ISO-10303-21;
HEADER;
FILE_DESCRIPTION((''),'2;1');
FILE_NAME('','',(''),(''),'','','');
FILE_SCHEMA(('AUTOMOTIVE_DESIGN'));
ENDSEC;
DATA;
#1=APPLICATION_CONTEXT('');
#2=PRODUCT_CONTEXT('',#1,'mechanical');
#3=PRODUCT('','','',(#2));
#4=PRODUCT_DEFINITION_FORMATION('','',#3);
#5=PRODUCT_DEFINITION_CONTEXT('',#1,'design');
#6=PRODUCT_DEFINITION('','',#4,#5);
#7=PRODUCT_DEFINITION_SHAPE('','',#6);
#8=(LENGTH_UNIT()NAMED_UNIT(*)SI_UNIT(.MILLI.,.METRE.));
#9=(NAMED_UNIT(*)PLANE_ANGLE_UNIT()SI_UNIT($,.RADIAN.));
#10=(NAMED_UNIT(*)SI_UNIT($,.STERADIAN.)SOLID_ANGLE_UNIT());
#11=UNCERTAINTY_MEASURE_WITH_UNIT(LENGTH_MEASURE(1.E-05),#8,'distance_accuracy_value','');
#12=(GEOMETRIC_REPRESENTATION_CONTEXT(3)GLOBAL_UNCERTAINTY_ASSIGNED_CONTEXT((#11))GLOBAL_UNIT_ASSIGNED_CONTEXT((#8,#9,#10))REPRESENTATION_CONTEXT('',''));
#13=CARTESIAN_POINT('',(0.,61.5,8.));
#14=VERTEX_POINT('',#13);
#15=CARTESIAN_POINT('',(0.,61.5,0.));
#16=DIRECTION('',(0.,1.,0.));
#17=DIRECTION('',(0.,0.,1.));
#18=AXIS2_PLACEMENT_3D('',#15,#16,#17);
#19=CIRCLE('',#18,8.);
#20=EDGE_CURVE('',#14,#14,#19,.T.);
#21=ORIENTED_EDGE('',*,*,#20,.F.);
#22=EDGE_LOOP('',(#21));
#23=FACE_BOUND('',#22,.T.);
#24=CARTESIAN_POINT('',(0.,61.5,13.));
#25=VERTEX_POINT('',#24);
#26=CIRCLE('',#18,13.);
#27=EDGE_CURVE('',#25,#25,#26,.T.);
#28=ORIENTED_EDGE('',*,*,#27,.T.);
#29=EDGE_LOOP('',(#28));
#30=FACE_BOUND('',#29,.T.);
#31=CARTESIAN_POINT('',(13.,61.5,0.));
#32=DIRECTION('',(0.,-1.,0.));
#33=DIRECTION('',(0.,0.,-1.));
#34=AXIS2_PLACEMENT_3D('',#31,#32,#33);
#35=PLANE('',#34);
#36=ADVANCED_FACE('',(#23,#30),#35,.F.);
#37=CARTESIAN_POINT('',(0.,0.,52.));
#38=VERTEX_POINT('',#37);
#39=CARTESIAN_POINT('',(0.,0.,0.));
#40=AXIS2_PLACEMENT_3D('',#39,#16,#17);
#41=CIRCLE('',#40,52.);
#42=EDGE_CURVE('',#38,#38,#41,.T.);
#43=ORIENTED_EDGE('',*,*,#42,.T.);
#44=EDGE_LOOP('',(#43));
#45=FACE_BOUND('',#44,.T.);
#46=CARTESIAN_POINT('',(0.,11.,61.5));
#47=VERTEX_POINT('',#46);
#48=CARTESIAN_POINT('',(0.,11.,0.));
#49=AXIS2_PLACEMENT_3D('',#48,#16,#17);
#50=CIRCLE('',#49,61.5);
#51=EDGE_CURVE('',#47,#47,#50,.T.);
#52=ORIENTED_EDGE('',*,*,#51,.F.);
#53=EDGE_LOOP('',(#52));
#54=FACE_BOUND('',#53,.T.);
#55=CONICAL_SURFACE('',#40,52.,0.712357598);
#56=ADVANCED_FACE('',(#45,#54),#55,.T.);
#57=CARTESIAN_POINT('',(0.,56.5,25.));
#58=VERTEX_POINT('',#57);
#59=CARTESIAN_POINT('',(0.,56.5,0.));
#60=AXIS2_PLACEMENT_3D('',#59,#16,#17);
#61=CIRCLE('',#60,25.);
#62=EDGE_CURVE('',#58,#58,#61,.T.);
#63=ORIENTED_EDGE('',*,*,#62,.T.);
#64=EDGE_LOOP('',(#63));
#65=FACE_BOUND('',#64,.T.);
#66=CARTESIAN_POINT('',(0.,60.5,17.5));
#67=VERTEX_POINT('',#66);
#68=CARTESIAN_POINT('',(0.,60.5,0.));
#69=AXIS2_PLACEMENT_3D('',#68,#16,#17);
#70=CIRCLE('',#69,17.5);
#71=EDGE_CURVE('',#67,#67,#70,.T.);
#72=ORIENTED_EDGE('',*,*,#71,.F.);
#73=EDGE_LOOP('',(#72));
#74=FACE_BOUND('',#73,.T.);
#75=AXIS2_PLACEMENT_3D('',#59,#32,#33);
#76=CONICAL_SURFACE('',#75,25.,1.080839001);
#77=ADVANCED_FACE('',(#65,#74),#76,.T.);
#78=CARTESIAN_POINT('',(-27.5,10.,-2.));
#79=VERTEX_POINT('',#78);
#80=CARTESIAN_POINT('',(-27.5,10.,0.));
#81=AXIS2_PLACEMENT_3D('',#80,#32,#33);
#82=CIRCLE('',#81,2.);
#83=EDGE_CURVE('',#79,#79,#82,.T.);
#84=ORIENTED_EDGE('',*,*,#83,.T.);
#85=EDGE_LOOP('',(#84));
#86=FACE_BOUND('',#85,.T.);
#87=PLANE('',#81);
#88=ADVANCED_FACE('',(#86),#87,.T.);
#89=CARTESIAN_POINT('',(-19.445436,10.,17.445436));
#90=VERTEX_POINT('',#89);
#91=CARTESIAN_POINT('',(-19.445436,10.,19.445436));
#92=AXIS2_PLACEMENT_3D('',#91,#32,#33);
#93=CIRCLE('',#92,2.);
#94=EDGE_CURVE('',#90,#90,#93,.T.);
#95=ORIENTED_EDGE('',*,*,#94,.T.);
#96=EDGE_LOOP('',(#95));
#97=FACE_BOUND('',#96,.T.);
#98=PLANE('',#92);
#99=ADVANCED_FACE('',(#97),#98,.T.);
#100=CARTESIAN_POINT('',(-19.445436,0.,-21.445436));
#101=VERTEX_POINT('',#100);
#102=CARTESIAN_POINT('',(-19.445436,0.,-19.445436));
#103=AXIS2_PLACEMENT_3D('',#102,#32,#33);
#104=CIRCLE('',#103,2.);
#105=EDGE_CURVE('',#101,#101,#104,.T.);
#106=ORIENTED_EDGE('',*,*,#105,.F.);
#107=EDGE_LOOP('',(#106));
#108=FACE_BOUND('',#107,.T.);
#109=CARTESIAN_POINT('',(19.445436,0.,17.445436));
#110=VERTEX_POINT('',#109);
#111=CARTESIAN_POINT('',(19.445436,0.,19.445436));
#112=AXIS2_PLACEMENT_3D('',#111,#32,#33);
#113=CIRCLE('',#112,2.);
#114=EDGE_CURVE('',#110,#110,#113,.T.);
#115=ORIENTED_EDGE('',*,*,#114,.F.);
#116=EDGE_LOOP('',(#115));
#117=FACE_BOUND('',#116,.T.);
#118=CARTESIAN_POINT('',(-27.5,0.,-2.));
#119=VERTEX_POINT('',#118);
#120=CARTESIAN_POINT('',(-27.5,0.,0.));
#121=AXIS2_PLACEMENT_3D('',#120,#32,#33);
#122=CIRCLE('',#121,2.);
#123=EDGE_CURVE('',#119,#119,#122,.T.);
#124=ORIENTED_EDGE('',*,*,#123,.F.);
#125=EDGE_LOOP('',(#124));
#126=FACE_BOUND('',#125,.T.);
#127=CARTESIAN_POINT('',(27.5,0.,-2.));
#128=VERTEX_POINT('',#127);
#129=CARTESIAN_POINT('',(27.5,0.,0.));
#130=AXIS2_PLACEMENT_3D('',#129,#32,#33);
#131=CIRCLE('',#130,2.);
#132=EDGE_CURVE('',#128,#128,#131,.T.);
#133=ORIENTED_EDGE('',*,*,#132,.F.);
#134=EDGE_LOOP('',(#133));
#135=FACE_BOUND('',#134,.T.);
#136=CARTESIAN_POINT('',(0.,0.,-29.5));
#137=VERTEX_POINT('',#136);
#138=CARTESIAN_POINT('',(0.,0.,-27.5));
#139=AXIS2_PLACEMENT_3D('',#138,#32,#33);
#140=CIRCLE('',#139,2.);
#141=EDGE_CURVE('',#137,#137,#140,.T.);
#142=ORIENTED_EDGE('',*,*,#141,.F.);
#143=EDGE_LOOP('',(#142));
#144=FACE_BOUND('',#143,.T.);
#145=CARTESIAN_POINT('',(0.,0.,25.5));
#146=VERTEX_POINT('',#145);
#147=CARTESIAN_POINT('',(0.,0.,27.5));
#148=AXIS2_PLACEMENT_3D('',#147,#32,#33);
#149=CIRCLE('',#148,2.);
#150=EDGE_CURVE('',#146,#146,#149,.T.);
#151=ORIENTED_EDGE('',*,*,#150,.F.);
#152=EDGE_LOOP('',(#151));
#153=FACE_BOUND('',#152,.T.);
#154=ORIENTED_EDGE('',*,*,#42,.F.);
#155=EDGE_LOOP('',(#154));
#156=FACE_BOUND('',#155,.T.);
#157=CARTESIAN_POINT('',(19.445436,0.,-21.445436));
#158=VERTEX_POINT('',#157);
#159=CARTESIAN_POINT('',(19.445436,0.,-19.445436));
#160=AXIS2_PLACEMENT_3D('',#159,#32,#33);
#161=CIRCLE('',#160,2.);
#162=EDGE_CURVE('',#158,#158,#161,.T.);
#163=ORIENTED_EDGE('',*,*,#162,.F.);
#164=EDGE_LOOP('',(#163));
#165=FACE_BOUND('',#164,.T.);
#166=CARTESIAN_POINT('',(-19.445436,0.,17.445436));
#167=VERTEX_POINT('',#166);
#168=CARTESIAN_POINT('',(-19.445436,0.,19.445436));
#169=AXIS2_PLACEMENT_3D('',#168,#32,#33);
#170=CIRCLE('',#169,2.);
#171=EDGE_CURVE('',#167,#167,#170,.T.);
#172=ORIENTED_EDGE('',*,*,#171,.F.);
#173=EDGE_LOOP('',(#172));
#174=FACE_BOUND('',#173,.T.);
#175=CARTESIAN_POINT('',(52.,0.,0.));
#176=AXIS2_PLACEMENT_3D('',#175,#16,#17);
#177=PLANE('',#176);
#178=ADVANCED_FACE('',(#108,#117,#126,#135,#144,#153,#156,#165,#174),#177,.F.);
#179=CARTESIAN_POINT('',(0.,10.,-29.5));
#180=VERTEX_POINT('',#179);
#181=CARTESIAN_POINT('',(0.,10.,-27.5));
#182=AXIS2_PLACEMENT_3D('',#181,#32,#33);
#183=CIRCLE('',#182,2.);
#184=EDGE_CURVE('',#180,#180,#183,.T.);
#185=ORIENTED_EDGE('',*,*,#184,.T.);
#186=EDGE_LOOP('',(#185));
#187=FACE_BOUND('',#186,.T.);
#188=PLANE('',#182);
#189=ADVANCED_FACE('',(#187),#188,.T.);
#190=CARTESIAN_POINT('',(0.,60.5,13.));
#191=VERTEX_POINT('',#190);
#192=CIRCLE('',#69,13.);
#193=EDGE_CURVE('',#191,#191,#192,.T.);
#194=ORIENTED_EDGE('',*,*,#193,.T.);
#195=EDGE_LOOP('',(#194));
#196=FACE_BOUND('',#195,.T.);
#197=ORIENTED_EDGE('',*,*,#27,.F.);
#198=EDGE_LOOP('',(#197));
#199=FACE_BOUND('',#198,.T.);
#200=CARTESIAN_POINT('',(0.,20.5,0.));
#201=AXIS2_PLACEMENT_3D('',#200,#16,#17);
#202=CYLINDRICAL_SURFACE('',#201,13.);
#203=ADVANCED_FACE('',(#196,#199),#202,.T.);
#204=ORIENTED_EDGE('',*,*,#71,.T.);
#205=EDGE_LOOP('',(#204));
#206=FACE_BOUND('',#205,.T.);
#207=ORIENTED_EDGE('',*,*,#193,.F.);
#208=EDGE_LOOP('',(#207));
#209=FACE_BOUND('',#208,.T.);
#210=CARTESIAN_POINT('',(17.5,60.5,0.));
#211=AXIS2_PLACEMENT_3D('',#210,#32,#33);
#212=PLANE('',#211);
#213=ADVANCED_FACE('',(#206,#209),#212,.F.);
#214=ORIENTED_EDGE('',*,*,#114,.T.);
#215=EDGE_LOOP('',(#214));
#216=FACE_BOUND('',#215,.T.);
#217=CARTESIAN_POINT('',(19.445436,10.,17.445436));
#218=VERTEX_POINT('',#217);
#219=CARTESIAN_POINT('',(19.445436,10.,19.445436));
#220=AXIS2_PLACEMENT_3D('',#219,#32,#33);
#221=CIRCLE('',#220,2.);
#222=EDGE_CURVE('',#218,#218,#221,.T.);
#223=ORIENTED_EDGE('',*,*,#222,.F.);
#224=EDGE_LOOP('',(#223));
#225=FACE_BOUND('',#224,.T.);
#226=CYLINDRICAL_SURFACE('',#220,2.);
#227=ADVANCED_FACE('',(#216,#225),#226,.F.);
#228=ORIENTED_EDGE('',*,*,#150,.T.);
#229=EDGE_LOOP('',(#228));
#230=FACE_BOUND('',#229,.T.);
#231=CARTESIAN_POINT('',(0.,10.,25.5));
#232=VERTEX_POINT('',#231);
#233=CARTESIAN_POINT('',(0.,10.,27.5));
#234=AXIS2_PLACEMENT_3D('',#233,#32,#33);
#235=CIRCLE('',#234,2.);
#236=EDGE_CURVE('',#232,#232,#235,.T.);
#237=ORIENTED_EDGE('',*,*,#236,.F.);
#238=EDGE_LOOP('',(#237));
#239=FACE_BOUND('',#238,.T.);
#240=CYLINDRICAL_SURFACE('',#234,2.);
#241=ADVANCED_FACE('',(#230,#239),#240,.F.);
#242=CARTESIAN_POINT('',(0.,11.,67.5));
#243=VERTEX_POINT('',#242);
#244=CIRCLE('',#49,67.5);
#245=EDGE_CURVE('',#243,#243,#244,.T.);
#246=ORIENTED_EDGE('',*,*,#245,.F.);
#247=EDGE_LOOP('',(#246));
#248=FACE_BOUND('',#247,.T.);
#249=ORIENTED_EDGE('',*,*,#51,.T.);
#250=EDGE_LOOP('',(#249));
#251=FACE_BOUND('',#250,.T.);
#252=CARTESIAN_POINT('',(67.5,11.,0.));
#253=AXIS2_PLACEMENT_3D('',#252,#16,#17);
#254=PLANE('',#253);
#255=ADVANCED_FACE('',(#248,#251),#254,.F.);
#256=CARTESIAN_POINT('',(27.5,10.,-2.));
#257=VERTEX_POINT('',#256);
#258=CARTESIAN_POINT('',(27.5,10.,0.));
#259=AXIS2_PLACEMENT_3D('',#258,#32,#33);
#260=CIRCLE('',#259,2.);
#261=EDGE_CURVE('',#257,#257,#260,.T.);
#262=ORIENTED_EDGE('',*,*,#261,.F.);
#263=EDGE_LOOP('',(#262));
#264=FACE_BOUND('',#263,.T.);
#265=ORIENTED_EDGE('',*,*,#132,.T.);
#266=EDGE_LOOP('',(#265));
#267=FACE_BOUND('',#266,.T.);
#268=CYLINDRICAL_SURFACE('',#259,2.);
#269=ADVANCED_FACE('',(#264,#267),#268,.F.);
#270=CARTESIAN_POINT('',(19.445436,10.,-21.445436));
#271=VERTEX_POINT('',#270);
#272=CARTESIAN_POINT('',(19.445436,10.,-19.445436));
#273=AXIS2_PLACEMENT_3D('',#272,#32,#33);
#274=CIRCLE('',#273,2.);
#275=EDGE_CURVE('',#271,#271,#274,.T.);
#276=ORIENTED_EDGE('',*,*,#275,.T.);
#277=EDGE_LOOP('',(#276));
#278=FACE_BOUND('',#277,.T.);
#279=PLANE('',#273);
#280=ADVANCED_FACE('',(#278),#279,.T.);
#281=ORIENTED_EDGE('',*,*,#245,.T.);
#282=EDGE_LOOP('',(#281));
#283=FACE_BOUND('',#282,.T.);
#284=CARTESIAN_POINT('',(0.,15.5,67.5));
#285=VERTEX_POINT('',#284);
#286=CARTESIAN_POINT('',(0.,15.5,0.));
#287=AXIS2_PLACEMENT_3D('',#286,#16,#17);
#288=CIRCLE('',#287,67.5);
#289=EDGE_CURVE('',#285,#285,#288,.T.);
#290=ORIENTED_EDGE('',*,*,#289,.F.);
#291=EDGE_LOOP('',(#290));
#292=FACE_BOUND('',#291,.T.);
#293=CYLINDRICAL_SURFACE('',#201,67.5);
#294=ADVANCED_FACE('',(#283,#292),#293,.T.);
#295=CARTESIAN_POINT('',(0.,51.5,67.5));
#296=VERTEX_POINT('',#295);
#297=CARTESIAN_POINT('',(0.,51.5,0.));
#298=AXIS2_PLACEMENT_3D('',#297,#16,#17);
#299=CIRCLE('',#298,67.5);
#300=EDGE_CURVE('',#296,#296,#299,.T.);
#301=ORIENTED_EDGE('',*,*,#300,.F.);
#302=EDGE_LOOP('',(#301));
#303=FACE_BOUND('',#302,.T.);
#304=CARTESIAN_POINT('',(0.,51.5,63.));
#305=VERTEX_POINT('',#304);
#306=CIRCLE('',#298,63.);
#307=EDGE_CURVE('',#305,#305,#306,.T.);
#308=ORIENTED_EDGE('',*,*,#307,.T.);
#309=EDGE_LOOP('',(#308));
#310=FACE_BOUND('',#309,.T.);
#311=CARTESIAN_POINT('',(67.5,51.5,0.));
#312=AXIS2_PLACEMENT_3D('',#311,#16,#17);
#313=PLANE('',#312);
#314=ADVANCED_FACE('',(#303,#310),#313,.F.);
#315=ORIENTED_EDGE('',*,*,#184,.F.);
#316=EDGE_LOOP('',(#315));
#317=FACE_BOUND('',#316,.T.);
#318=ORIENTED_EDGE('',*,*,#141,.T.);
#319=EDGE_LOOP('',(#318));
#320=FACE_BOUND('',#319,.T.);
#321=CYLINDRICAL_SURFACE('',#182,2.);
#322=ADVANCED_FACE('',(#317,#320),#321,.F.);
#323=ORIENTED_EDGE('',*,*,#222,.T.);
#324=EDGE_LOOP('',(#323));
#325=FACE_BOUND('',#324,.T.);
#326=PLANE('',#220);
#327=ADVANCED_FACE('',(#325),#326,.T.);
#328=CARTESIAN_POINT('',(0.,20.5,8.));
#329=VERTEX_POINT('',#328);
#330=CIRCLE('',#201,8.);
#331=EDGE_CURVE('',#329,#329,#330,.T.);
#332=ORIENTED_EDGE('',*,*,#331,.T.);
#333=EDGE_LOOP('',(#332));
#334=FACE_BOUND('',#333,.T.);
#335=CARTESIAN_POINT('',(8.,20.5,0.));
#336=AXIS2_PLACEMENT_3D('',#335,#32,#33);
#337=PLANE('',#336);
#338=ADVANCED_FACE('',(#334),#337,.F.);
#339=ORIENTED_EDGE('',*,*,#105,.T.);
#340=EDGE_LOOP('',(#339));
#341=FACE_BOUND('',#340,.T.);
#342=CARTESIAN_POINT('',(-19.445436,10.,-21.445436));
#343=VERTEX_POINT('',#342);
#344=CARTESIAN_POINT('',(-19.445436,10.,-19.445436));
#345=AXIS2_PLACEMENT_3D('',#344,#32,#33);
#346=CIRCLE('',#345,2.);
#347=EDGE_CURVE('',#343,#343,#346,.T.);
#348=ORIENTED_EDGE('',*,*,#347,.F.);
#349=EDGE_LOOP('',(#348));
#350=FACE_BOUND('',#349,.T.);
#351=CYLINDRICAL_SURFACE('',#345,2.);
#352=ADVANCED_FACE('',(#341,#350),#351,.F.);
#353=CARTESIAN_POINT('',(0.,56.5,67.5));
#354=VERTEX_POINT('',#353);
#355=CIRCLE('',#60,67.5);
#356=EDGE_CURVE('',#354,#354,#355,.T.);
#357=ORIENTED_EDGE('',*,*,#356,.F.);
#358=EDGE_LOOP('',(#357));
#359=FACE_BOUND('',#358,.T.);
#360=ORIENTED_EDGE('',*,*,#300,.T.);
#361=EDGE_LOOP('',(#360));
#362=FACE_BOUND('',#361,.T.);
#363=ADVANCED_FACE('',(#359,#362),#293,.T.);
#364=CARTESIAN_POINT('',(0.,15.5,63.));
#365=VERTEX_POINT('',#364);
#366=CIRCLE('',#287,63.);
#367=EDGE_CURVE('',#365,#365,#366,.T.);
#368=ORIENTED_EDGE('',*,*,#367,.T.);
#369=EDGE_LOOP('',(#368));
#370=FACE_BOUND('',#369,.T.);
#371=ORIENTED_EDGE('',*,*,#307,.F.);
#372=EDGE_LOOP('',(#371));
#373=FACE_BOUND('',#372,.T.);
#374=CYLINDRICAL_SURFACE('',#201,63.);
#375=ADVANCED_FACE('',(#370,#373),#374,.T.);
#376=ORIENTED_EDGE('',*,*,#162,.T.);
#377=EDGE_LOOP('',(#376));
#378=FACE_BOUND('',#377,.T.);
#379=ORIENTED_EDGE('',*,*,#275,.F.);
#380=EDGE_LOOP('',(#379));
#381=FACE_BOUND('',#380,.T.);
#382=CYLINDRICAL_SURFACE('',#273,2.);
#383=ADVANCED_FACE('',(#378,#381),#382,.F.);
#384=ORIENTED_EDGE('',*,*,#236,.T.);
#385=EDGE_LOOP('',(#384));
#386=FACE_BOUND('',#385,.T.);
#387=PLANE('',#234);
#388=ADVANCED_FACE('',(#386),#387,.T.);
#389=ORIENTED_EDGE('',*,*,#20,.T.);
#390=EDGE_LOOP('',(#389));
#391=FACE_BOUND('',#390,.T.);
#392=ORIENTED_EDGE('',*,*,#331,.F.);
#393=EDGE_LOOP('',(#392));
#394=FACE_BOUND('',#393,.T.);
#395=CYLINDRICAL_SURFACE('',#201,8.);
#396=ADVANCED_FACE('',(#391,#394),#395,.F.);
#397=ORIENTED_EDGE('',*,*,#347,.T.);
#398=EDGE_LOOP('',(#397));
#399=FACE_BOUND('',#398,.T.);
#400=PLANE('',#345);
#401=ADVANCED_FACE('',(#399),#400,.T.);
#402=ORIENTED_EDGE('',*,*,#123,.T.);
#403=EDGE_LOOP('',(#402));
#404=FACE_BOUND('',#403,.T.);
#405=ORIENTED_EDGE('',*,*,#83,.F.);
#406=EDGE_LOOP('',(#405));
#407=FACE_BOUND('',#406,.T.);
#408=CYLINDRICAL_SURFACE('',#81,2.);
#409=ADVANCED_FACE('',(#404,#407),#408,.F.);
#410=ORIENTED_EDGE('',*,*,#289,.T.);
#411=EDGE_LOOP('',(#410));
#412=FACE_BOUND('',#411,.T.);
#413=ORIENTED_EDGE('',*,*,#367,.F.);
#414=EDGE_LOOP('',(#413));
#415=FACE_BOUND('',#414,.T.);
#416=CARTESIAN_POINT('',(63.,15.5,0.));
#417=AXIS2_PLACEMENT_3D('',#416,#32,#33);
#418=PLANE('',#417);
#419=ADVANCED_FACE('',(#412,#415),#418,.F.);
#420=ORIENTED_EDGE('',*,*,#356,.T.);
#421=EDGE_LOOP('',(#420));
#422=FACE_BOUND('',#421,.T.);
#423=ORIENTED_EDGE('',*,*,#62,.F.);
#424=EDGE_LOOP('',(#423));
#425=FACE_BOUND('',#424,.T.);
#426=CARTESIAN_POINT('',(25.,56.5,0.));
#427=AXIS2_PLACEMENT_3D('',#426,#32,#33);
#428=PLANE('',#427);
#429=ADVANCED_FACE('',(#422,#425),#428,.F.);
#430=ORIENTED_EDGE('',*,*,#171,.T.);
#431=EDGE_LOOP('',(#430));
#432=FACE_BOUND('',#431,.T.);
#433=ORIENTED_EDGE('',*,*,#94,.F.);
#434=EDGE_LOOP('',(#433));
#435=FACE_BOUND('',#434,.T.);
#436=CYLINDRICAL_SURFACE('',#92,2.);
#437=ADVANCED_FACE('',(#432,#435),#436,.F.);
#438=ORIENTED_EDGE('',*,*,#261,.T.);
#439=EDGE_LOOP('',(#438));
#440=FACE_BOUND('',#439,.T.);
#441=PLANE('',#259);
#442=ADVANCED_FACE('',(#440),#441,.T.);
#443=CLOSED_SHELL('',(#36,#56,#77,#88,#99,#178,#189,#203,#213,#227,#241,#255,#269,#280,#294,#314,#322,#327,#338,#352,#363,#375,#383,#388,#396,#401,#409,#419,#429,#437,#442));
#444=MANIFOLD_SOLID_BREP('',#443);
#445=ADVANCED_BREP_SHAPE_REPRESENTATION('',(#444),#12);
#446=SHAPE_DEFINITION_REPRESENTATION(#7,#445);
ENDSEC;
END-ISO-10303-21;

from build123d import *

# Parameters (mm, degrees)
SKETCH2_R          = 2
CUT_EXTRUDE1_DEPTH = 10


with BuildPart() as part:
    # Sketch1 → Revolve1 (revolve)
    with BuildSketch(Plane.XY):
        Polygon((17.5, 60.5), (13, 60.5), (13, 61.5), (8, 61.5), (8, 20.5), (0, 20.5), (0, 0), (52, 0), (61.5, 11), (67.5, 11), (67.5, 15.5), (63, 15.5), (63, 51.5), (67.5, 51.5), (67.5, 56.5), (25, 56.5), align=None)
    revolve(axis=Axis((0, 20.5, 0), (0, -1, 0)))

    # Sketch2 → Cut-Extrude1 (cut)
    with BuildSketch(Plane.XZ):
        with Locations((0, 27.5)):
            Circle(SKETCH2_R)
        with Locations((19.445436483, 19.445436483)):
            Circle(SKETCH2_R)
        with Locations((27.5, 0)):
            Circle(SKETCH2_R)
        with Locations((19.445436483, -19.445436483)):
            Circle(SKETCH2_R)
        with Locations((0, -27.5)):
            Circle(SKETCH2_R)
        with Locations((-19.445436483, -19.445436483)):
            Circle(SKETCH2_R)
        with Locations((-27.5, 0)):
            Circle(SKETCH2_R)
        with Locations((-19.445436483, 19.445436483)):
            Circle(SKETCH2_R)
    extrude(amount=-CUT_EXTRUDE1_DEPTH, mode=Mode.SUBTRACT)


solid = part.part
